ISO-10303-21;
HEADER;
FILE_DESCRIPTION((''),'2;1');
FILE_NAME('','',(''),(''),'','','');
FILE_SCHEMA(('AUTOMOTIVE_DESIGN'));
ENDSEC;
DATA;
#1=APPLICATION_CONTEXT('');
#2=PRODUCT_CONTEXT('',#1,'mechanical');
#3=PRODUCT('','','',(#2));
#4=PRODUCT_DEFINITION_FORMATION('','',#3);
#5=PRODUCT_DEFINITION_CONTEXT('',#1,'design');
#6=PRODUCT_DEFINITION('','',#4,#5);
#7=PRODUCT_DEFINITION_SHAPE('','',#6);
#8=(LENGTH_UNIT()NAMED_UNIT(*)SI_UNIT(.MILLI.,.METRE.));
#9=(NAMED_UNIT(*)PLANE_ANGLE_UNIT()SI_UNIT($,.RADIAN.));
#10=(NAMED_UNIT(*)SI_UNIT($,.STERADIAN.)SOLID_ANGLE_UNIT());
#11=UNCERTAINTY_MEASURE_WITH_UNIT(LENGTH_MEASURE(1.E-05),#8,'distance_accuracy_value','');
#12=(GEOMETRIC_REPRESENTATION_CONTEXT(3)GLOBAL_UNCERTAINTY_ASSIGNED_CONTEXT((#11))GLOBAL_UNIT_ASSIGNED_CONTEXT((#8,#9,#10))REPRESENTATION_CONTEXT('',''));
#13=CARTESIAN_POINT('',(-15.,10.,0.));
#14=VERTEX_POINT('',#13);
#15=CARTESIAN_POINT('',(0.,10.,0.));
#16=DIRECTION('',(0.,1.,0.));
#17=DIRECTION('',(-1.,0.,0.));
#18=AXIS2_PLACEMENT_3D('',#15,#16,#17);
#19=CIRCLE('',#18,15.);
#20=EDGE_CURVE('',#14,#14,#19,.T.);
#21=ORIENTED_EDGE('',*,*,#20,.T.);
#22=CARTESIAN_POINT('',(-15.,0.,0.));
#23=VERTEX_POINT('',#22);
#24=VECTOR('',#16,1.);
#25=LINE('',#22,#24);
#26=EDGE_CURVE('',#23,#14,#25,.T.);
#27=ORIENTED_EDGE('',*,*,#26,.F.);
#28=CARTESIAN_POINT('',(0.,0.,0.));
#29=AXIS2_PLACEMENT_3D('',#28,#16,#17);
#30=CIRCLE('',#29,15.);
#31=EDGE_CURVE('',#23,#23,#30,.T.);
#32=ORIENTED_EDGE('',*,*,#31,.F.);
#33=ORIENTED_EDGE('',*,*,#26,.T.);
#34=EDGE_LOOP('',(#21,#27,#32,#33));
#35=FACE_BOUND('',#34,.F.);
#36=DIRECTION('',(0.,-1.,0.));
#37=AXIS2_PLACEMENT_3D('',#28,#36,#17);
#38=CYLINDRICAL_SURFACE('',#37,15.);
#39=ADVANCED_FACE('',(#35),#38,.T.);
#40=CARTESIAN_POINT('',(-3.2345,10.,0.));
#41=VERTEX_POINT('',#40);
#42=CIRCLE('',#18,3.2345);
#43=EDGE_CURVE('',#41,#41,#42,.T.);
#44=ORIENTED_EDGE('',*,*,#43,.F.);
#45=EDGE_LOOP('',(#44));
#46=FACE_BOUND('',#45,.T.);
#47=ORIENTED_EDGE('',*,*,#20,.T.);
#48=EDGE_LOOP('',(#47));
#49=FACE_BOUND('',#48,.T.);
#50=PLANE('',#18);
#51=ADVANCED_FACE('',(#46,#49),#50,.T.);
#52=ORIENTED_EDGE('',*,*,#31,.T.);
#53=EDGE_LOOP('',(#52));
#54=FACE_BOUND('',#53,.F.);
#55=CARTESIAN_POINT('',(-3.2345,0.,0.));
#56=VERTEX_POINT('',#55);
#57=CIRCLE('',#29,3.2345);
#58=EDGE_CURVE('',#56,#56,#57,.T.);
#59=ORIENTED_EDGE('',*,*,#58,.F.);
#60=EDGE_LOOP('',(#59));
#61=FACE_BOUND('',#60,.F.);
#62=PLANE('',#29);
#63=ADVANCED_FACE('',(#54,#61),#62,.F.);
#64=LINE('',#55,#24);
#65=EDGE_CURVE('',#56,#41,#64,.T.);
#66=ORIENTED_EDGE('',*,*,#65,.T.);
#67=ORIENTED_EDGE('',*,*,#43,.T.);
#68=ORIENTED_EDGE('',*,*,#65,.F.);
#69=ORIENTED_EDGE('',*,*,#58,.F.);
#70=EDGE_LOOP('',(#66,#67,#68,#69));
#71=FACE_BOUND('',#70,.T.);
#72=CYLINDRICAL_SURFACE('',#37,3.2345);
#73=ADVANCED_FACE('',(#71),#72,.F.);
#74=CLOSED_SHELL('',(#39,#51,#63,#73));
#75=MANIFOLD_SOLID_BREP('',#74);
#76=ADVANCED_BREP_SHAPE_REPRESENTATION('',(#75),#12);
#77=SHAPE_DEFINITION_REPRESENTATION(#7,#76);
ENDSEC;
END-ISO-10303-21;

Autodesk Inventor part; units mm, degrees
ref_plane "YZ Plane" through (0, 0, 0) normal (1, 0, 0) x (0, 1, 0)
ref_plane "XZ Plane" through (0, 0, 0) normal (0, 1, 0) x (-1, 0, 0)
ref_plane "XY Plane" through (0, 0, 0) normal (0, 0, 1) x (1, 0, 0)
sketch "Sketch1" plane through (0, 0, 0) normal (0, 1, 0) x (-1, 0, 0)
  circle A0 centre (0, 0) radius 15
  circle A1 centre (0, 0) radius 3.2345
  dimension "d0" = 30
  dimension "d1" = 6.469
extrude "Extrusion1" add sketch "Sketch1" along normal blind 10
properties part number "pinion"
